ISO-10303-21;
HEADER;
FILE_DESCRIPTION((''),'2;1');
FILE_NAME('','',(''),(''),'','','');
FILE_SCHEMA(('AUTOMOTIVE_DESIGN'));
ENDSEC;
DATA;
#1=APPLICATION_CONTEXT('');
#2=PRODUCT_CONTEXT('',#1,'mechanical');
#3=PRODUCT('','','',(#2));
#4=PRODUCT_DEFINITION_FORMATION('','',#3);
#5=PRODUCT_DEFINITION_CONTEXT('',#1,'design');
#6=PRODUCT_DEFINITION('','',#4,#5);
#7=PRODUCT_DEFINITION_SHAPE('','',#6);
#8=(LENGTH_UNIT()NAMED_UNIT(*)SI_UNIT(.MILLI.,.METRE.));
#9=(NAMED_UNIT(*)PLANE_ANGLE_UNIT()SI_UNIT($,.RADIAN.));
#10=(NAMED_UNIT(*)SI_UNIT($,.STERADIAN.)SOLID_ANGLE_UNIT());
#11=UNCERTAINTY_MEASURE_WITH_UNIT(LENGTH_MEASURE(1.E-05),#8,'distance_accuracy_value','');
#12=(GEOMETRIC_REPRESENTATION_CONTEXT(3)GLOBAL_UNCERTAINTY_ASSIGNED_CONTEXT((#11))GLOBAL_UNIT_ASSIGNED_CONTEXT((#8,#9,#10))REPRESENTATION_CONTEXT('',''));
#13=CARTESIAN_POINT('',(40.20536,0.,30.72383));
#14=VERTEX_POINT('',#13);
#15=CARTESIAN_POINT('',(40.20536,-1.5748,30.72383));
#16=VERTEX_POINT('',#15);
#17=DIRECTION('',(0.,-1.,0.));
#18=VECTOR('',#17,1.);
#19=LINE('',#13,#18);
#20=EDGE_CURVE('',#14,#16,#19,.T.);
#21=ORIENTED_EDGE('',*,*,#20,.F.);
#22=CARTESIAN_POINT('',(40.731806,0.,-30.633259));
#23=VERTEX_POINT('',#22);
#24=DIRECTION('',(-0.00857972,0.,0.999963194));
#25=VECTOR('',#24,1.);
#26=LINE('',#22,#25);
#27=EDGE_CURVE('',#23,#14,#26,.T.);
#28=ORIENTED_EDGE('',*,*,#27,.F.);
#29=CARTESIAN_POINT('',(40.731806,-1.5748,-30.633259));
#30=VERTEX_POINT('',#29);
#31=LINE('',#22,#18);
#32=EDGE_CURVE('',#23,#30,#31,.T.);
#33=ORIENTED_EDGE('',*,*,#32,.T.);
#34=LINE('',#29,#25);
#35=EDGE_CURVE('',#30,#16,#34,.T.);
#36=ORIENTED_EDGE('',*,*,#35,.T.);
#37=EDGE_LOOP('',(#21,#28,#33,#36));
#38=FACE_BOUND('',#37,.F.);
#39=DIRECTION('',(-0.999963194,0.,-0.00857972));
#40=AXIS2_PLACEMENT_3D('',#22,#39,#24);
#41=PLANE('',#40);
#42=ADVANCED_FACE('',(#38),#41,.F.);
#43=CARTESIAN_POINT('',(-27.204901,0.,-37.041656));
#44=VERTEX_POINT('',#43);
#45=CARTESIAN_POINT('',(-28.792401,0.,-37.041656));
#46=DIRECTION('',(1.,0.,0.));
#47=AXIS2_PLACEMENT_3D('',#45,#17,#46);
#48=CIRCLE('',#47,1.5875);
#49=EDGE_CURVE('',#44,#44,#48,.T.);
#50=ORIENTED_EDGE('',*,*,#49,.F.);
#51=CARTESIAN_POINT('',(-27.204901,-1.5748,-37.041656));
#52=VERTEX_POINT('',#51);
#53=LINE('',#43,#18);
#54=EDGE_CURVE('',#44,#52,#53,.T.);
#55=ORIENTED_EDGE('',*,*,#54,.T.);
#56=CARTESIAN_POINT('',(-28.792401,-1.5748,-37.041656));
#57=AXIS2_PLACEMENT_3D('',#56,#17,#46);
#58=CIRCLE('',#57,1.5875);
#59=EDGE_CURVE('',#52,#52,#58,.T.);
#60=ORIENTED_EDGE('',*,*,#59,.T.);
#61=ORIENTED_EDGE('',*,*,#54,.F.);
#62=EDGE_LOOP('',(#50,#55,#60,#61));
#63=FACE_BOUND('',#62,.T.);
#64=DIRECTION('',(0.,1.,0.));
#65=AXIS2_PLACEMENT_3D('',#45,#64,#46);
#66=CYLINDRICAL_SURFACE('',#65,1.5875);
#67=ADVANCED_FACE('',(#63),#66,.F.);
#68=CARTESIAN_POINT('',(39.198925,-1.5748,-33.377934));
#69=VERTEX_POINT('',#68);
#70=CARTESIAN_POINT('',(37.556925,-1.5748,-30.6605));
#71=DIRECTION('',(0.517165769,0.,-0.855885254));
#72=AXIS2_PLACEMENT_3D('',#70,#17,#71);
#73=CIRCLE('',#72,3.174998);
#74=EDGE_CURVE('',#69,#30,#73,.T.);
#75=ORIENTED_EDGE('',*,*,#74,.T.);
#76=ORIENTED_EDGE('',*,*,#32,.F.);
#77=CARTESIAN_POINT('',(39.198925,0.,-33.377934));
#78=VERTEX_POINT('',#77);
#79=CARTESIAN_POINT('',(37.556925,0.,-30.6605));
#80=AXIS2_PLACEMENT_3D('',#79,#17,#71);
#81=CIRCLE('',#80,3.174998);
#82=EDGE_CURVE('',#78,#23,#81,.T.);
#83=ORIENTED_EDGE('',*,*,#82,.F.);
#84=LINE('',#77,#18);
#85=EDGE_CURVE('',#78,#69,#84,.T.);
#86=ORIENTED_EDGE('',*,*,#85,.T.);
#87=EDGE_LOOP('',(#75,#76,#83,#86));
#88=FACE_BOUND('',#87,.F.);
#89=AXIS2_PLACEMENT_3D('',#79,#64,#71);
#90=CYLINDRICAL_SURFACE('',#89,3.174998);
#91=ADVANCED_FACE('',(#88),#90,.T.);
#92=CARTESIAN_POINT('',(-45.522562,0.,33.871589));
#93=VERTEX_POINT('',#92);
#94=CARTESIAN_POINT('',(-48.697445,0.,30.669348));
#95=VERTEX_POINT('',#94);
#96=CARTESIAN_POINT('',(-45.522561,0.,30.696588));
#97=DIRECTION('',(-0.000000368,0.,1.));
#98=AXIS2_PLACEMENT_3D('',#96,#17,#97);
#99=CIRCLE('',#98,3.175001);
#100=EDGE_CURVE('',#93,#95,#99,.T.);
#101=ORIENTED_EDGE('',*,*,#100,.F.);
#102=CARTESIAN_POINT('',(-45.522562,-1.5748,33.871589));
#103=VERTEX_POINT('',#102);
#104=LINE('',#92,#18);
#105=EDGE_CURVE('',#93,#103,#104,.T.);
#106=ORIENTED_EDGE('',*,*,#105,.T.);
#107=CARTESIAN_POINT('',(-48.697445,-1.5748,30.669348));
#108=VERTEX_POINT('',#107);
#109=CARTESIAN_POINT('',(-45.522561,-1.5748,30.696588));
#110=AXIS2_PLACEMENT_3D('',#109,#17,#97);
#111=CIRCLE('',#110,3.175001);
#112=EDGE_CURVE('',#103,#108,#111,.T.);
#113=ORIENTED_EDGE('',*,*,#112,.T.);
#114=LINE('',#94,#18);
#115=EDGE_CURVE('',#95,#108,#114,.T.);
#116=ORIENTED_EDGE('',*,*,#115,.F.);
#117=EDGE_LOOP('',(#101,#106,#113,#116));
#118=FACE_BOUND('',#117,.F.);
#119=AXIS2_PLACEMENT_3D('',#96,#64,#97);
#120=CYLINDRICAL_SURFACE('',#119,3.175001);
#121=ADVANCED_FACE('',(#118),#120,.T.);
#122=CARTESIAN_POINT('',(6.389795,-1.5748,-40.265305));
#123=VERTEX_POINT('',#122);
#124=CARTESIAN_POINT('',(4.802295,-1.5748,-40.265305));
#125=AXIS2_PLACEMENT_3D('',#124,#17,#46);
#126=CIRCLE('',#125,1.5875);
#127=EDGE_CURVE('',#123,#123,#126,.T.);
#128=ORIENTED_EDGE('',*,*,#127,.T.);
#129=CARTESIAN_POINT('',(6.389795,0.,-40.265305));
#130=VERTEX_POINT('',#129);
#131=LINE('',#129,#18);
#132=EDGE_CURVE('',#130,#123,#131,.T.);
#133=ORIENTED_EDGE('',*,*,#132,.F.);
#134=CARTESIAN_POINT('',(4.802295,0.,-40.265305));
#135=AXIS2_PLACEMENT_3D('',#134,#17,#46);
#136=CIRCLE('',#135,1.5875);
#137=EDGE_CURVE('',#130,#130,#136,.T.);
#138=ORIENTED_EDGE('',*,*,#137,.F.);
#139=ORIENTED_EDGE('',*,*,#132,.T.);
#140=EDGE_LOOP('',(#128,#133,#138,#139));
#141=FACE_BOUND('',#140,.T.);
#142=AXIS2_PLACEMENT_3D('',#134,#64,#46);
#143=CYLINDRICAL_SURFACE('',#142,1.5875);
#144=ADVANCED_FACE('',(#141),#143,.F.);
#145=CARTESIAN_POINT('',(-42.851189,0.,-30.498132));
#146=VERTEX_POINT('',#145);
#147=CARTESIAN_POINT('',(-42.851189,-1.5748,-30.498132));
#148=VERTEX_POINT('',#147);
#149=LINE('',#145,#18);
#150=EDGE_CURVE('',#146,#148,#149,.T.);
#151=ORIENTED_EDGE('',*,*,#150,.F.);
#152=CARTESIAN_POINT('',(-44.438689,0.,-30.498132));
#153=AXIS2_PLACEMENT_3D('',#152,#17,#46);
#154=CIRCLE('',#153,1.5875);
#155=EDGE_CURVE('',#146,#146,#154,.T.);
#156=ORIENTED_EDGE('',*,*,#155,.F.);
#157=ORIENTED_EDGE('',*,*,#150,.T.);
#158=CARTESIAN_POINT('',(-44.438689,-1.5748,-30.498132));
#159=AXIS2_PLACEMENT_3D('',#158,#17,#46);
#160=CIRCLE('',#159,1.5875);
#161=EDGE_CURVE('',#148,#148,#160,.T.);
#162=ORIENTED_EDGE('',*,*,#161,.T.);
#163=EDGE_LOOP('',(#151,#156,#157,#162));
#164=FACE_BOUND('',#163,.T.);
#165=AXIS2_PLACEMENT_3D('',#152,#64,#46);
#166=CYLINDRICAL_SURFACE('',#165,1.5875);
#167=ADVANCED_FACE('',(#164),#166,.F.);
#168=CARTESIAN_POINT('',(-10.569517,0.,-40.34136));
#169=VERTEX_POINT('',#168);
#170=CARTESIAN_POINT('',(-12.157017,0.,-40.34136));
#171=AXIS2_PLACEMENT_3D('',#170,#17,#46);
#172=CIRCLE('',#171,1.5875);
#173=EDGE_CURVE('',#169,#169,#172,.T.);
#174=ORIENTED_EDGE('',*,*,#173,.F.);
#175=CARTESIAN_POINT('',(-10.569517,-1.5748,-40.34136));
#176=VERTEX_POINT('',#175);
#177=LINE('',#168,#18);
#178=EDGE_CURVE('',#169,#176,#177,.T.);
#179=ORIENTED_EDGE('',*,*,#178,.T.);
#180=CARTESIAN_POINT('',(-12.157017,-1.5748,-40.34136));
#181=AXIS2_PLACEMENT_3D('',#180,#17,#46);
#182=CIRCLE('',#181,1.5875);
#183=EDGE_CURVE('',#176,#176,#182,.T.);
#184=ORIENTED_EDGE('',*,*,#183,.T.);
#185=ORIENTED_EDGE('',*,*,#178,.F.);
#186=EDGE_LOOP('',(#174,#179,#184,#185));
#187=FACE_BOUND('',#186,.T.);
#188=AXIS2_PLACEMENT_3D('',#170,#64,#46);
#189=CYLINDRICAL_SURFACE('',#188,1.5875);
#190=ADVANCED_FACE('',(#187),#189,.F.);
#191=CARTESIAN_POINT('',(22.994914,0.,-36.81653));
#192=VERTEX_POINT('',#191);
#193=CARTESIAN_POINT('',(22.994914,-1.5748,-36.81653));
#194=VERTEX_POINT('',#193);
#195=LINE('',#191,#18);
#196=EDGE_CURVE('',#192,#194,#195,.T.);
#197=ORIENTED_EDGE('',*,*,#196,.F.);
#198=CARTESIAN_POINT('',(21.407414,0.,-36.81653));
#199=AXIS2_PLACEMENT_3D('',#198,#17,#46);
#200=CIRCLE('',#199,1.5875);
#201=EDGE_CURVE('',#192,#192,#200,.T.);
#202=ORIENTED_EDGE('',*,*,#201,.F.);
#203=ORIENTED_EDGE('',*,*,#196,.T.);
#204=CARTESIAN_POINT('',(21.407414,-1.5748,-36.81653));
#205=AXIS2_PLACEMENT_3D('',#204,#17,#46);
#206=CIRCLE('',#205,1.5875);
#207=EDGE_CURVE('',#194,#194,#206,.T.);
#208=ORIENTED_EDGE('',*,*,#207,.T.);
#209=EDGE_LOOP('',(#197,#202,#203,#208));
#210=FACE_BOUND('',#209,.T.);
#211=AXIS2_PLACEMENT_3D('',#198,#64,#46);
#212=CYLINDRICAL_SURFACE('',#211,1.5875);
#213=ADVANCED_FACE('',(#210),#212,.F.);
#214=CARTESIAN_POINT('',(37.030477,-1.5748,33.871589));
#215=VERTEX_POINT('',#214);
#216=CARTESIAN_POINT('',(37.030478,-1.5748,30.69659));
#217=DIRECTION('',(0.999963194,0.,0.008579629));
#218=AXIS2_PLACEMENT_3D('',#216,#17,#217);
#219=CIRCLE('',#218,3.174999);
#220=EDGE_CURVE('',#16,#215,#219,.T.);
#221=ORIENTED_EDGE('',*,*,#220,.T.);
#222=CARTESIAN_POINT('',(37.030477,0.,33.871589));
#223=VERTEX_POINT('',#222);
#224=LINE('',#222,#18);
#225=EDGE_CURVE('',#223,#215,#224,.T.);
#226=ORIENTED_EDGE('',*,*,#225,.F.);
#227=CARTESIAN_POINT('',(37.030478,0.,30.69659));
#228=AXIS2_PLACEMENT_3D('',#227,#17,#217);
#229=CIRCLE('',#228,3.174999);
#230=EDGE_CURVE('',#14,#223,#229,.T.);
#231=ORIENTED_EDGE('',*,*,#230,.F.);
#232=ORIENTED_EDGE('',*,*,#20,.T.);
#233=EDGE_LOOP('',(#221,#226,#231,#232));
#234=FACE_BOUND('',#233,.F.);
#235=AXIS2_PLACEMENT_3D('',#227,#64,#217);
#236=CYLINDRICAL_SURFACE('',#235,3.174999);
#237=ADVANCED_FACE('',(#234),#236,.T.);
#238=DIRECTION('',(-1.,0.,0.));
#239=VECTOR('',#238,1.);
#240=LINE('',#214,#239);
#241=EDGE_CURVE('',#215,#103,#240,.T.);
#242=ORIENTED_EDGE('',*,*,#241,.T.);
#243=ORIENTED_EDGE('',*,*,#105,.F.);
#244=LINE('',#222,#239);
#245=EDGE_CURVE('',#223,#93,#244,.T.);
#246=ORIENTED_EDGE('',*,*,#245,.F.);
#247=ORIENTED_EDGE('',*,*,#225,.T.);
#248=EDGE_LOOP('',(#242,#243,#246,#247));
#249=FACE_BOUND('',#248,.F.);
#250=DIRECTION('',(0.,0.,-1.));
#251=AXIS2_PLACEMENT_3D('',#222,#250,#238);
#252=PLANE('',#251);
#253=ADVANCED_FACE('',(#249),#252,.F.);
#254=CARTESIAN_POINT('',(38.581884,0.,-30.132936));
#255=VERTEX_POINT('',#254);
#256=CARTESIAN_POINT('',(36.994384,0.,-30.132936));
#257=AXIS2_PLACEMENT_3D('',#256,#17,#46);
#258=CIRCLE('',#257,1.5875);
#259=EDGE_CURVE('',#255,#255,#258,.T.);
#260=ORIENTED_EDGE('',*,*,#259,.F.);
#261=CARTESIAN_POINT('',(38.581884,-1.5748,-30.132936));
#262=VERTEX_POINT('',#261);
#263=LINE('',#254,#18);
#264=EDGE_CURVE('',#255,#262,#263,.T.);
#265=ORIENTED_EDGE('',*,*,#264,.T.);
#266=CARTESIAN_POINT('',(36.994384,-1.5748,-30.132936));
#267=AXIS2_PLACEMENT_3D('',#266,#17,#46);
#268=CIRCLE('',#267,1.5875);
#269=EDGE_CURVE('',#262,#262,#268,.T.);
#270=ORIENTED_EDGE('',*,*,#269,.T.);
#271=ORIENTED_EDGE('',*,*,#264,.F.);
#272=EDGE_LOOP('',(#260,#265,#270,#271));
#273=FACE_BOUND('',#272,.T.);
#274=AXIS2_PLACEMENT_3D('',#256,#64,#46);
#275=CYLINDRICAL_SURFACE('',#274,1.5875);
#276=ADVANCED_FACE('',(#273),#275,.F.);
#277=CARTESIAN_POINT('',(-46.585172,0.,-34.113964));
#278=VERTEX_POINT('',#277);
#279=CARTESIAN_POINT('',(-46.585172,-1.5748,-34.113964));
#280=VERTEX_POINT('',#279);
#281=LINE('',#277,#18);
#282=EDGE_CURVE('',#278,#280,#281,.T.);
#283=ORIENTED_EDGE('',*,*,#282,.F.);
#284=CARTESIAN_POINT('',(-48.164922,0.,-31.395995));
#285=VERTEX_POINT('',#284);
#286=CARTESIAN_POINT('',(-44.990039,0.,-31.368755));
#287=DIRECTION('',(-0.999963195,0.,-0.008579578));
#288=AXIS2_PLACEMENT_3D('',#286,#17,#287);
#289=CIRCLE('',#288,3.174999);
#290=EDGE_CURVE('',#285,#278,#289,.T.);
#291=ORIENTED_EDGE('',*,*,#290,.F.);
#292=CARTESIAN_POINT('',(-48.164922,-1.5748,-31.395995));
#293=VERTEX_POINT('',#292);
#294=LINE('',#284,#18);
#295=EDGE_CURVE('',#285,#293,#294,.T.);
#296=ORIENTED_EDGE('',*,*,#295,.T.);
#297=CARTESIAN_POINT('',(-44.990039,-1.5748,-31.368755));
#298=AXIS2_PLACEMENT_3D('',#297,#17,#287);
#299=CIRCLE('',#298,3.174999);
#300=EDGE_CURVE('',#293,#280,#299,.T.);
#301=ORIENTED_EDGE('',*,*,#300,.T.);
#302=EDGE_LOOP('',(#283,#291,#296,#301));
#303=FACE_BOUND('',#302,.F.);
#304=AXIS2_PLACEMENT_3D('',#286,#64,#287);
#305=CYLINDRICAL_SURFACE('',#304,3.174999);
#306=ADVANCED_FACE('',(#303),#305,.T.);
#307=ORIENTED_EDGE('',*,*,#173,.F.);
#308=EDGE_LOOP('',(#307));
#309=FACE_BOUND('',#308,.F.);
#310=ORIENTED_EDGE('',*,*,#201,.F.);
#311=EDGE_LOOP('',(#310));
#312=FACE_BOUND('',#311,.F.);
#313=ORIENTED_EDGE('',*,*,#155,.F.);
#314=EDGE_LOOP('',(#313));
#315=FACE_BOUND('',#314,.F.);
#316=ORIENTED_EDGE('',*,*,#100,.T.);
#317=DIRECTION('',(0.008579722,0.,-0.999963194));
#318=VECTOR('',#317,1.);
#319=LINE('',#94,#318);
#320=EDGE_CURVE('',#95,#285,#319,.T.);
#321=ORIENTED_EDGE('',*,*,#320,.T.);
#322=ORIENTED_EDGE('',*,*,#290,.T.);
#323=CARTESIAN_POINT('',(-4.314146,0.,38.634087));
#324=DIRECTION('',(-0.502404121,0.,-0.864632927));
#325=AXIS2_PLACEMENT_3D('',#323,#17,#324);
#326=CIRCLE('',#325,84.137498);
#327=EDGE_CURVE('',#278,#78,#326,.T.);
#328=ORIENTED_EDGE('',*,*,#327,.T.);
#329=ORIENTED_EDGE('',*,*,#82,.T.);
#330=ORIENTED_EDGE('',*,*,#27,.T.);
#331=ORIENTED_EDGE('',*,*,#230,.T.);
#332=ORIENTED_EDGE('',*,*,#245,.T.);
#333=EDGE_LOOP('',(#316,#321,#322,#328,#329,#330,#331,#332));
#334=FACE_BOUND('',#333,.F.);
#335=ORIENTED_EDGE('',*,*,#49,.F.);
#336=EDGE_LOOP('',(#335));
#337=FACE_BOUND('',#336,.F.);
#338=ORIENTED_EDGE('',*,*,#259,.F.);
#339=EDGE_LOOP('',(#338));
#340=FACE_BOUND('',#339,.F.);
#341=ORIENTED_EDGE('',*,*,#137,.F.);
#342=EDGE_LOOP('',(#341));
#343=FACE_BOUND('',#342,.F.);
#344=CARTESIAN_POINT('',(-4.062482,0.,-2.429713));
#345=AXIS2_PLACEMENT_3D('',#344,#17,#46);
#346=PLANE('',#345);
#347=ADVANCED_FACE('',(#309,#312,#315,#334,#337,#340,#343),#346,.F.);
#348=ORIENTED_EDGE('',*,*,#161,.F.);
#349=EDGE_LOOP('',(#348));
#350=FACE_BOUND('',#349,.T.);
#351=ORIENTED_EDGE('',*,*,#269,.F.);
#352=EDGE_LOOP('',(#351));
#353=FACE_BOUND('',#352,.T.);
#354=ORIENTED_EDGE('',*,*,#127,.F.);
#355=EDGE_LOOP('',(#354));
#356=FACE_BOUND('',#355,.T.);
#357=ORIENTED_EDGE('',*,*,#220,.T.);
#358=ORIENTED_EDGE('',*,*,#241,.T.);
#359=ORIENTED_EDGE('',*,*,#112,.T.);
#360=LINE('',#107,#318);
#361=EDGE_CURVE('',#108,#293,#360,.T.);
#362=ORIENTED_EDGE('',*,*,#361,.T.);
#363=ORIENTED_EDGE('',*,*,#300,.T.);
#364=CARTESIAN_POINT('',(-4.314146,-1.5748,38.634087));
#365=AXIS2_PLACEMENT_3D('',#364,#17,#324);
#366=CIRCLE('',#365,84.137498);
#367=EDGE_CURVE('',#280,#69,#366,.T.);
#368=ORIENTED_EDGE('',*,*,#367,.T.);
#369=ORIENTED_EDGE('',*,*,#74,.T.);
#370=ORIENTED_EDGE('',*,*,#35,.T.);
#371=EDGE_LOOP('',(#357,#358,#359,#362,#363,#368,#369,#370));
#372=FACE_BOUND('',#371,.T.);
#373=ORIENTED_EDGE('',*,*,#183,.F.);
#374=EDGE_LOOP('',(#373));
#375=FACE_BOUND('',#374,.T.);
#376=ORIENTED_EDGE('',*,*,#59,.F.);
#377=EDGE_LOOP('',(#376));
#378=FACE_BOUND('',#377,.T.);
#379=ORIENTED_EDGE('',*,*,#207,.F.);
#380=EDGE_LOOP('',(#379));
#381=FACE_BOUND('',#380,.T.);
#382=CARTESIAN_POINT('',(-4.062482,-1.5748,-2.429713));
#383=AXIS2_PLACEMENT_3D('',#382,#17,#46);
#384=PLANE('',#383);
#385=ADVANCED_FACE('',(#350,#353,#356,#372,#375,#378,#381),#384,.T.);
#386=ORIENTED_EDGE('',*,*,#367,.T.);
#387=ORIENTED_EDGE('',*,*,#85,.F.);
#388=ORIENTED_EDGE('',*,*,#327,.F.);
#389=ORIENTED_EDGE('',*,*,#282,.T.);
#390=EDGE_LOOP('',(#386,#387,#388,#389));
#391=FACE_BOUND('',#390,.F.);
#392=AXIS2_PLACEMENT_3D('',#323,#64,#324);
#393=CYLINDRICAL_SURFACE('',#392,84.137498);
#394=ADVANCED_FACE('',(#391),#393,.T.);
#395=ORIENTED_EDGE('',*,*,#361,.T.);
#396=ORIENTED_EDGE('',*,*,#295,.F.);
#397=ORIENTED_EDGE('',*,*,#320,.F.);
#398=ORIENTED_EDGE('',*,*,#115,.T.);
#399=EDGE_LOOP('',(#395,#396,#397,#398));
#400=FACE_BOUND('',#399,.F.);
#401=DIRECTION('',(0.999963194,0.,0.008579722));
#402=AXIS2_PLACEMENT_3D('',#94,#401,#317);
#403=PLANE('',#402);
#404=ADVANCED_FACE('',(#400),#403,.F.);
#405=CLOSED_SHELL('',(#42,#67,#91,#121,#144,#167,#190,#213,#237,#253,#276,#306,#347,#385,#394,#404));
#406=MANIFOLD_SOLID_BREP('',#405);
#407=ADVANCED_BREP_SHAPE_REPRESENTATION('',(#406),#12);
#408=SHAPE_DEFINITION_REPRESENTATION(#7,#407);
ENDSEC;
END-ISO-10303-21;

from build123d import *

# Parameters (mm, degrees)
F0_R     = 1.5875
F1_DEPTH = 1.5748


with BuildPart() as f1:
    # F0 (on Front) → F1 (new body)
    with BuildSketch(Plane.XZ):
        with BuildLine():
            Line((37.030477, 33.871589), (-45.522562, 33.871589))
            ThreePointArc((-45.522562, 33.871589), (-47.777236, 32.932001), (-48.697445, 30.669348))
            Line((-48.697445, 30.669348), (-48.164922, -31.395995))
            ThreePointArc((-48.164922, -31.395995), (-47.735053, -32.964224), (-46.585172, -34.113964))
            ThreePointArc((-46.585172, -34.113964), (-3.592271, -45.500314), (39.198925, -33.377934))
            ThreePointArc((39.198925, -33.377934), (40.328909, -32.208633), (40.731806, -30.633259))
            Line((40.731806, -30.633259), (40.20536, 30.72383))
            ThreePointArc((40.20536, 30.72383), (39.265889, 32.951264), (37.030477, 33.871589))
        make_face()
        with Locations((-28.792401, -37.041656)):
            Circle(F0_R, mode=Mode.SUBTRACT)
        with Locations((-44.438689, -30.498132)):
            Circle(F0_R, mode=Mode.SUBTRACT)
        with Locations((-12.157017, -40.34136)):
            Circle(F0_R, mode=Mode.SUBTRACT)
        with Locations((4.802295, -40.265305)):
            Circle(F0_R, mode=Mode.SUBTRACT)
        with Locations((21.407414, -36.81653)):
            Circle(F0_R, mode=Mode.SUBTRACT)
        with Locations((36.994384, -30.132936)):
            Circle(F0_R, mode=Mode.SUBTRACT)
    extrude(amount=F1_DEPTH)


solid = f1.part
